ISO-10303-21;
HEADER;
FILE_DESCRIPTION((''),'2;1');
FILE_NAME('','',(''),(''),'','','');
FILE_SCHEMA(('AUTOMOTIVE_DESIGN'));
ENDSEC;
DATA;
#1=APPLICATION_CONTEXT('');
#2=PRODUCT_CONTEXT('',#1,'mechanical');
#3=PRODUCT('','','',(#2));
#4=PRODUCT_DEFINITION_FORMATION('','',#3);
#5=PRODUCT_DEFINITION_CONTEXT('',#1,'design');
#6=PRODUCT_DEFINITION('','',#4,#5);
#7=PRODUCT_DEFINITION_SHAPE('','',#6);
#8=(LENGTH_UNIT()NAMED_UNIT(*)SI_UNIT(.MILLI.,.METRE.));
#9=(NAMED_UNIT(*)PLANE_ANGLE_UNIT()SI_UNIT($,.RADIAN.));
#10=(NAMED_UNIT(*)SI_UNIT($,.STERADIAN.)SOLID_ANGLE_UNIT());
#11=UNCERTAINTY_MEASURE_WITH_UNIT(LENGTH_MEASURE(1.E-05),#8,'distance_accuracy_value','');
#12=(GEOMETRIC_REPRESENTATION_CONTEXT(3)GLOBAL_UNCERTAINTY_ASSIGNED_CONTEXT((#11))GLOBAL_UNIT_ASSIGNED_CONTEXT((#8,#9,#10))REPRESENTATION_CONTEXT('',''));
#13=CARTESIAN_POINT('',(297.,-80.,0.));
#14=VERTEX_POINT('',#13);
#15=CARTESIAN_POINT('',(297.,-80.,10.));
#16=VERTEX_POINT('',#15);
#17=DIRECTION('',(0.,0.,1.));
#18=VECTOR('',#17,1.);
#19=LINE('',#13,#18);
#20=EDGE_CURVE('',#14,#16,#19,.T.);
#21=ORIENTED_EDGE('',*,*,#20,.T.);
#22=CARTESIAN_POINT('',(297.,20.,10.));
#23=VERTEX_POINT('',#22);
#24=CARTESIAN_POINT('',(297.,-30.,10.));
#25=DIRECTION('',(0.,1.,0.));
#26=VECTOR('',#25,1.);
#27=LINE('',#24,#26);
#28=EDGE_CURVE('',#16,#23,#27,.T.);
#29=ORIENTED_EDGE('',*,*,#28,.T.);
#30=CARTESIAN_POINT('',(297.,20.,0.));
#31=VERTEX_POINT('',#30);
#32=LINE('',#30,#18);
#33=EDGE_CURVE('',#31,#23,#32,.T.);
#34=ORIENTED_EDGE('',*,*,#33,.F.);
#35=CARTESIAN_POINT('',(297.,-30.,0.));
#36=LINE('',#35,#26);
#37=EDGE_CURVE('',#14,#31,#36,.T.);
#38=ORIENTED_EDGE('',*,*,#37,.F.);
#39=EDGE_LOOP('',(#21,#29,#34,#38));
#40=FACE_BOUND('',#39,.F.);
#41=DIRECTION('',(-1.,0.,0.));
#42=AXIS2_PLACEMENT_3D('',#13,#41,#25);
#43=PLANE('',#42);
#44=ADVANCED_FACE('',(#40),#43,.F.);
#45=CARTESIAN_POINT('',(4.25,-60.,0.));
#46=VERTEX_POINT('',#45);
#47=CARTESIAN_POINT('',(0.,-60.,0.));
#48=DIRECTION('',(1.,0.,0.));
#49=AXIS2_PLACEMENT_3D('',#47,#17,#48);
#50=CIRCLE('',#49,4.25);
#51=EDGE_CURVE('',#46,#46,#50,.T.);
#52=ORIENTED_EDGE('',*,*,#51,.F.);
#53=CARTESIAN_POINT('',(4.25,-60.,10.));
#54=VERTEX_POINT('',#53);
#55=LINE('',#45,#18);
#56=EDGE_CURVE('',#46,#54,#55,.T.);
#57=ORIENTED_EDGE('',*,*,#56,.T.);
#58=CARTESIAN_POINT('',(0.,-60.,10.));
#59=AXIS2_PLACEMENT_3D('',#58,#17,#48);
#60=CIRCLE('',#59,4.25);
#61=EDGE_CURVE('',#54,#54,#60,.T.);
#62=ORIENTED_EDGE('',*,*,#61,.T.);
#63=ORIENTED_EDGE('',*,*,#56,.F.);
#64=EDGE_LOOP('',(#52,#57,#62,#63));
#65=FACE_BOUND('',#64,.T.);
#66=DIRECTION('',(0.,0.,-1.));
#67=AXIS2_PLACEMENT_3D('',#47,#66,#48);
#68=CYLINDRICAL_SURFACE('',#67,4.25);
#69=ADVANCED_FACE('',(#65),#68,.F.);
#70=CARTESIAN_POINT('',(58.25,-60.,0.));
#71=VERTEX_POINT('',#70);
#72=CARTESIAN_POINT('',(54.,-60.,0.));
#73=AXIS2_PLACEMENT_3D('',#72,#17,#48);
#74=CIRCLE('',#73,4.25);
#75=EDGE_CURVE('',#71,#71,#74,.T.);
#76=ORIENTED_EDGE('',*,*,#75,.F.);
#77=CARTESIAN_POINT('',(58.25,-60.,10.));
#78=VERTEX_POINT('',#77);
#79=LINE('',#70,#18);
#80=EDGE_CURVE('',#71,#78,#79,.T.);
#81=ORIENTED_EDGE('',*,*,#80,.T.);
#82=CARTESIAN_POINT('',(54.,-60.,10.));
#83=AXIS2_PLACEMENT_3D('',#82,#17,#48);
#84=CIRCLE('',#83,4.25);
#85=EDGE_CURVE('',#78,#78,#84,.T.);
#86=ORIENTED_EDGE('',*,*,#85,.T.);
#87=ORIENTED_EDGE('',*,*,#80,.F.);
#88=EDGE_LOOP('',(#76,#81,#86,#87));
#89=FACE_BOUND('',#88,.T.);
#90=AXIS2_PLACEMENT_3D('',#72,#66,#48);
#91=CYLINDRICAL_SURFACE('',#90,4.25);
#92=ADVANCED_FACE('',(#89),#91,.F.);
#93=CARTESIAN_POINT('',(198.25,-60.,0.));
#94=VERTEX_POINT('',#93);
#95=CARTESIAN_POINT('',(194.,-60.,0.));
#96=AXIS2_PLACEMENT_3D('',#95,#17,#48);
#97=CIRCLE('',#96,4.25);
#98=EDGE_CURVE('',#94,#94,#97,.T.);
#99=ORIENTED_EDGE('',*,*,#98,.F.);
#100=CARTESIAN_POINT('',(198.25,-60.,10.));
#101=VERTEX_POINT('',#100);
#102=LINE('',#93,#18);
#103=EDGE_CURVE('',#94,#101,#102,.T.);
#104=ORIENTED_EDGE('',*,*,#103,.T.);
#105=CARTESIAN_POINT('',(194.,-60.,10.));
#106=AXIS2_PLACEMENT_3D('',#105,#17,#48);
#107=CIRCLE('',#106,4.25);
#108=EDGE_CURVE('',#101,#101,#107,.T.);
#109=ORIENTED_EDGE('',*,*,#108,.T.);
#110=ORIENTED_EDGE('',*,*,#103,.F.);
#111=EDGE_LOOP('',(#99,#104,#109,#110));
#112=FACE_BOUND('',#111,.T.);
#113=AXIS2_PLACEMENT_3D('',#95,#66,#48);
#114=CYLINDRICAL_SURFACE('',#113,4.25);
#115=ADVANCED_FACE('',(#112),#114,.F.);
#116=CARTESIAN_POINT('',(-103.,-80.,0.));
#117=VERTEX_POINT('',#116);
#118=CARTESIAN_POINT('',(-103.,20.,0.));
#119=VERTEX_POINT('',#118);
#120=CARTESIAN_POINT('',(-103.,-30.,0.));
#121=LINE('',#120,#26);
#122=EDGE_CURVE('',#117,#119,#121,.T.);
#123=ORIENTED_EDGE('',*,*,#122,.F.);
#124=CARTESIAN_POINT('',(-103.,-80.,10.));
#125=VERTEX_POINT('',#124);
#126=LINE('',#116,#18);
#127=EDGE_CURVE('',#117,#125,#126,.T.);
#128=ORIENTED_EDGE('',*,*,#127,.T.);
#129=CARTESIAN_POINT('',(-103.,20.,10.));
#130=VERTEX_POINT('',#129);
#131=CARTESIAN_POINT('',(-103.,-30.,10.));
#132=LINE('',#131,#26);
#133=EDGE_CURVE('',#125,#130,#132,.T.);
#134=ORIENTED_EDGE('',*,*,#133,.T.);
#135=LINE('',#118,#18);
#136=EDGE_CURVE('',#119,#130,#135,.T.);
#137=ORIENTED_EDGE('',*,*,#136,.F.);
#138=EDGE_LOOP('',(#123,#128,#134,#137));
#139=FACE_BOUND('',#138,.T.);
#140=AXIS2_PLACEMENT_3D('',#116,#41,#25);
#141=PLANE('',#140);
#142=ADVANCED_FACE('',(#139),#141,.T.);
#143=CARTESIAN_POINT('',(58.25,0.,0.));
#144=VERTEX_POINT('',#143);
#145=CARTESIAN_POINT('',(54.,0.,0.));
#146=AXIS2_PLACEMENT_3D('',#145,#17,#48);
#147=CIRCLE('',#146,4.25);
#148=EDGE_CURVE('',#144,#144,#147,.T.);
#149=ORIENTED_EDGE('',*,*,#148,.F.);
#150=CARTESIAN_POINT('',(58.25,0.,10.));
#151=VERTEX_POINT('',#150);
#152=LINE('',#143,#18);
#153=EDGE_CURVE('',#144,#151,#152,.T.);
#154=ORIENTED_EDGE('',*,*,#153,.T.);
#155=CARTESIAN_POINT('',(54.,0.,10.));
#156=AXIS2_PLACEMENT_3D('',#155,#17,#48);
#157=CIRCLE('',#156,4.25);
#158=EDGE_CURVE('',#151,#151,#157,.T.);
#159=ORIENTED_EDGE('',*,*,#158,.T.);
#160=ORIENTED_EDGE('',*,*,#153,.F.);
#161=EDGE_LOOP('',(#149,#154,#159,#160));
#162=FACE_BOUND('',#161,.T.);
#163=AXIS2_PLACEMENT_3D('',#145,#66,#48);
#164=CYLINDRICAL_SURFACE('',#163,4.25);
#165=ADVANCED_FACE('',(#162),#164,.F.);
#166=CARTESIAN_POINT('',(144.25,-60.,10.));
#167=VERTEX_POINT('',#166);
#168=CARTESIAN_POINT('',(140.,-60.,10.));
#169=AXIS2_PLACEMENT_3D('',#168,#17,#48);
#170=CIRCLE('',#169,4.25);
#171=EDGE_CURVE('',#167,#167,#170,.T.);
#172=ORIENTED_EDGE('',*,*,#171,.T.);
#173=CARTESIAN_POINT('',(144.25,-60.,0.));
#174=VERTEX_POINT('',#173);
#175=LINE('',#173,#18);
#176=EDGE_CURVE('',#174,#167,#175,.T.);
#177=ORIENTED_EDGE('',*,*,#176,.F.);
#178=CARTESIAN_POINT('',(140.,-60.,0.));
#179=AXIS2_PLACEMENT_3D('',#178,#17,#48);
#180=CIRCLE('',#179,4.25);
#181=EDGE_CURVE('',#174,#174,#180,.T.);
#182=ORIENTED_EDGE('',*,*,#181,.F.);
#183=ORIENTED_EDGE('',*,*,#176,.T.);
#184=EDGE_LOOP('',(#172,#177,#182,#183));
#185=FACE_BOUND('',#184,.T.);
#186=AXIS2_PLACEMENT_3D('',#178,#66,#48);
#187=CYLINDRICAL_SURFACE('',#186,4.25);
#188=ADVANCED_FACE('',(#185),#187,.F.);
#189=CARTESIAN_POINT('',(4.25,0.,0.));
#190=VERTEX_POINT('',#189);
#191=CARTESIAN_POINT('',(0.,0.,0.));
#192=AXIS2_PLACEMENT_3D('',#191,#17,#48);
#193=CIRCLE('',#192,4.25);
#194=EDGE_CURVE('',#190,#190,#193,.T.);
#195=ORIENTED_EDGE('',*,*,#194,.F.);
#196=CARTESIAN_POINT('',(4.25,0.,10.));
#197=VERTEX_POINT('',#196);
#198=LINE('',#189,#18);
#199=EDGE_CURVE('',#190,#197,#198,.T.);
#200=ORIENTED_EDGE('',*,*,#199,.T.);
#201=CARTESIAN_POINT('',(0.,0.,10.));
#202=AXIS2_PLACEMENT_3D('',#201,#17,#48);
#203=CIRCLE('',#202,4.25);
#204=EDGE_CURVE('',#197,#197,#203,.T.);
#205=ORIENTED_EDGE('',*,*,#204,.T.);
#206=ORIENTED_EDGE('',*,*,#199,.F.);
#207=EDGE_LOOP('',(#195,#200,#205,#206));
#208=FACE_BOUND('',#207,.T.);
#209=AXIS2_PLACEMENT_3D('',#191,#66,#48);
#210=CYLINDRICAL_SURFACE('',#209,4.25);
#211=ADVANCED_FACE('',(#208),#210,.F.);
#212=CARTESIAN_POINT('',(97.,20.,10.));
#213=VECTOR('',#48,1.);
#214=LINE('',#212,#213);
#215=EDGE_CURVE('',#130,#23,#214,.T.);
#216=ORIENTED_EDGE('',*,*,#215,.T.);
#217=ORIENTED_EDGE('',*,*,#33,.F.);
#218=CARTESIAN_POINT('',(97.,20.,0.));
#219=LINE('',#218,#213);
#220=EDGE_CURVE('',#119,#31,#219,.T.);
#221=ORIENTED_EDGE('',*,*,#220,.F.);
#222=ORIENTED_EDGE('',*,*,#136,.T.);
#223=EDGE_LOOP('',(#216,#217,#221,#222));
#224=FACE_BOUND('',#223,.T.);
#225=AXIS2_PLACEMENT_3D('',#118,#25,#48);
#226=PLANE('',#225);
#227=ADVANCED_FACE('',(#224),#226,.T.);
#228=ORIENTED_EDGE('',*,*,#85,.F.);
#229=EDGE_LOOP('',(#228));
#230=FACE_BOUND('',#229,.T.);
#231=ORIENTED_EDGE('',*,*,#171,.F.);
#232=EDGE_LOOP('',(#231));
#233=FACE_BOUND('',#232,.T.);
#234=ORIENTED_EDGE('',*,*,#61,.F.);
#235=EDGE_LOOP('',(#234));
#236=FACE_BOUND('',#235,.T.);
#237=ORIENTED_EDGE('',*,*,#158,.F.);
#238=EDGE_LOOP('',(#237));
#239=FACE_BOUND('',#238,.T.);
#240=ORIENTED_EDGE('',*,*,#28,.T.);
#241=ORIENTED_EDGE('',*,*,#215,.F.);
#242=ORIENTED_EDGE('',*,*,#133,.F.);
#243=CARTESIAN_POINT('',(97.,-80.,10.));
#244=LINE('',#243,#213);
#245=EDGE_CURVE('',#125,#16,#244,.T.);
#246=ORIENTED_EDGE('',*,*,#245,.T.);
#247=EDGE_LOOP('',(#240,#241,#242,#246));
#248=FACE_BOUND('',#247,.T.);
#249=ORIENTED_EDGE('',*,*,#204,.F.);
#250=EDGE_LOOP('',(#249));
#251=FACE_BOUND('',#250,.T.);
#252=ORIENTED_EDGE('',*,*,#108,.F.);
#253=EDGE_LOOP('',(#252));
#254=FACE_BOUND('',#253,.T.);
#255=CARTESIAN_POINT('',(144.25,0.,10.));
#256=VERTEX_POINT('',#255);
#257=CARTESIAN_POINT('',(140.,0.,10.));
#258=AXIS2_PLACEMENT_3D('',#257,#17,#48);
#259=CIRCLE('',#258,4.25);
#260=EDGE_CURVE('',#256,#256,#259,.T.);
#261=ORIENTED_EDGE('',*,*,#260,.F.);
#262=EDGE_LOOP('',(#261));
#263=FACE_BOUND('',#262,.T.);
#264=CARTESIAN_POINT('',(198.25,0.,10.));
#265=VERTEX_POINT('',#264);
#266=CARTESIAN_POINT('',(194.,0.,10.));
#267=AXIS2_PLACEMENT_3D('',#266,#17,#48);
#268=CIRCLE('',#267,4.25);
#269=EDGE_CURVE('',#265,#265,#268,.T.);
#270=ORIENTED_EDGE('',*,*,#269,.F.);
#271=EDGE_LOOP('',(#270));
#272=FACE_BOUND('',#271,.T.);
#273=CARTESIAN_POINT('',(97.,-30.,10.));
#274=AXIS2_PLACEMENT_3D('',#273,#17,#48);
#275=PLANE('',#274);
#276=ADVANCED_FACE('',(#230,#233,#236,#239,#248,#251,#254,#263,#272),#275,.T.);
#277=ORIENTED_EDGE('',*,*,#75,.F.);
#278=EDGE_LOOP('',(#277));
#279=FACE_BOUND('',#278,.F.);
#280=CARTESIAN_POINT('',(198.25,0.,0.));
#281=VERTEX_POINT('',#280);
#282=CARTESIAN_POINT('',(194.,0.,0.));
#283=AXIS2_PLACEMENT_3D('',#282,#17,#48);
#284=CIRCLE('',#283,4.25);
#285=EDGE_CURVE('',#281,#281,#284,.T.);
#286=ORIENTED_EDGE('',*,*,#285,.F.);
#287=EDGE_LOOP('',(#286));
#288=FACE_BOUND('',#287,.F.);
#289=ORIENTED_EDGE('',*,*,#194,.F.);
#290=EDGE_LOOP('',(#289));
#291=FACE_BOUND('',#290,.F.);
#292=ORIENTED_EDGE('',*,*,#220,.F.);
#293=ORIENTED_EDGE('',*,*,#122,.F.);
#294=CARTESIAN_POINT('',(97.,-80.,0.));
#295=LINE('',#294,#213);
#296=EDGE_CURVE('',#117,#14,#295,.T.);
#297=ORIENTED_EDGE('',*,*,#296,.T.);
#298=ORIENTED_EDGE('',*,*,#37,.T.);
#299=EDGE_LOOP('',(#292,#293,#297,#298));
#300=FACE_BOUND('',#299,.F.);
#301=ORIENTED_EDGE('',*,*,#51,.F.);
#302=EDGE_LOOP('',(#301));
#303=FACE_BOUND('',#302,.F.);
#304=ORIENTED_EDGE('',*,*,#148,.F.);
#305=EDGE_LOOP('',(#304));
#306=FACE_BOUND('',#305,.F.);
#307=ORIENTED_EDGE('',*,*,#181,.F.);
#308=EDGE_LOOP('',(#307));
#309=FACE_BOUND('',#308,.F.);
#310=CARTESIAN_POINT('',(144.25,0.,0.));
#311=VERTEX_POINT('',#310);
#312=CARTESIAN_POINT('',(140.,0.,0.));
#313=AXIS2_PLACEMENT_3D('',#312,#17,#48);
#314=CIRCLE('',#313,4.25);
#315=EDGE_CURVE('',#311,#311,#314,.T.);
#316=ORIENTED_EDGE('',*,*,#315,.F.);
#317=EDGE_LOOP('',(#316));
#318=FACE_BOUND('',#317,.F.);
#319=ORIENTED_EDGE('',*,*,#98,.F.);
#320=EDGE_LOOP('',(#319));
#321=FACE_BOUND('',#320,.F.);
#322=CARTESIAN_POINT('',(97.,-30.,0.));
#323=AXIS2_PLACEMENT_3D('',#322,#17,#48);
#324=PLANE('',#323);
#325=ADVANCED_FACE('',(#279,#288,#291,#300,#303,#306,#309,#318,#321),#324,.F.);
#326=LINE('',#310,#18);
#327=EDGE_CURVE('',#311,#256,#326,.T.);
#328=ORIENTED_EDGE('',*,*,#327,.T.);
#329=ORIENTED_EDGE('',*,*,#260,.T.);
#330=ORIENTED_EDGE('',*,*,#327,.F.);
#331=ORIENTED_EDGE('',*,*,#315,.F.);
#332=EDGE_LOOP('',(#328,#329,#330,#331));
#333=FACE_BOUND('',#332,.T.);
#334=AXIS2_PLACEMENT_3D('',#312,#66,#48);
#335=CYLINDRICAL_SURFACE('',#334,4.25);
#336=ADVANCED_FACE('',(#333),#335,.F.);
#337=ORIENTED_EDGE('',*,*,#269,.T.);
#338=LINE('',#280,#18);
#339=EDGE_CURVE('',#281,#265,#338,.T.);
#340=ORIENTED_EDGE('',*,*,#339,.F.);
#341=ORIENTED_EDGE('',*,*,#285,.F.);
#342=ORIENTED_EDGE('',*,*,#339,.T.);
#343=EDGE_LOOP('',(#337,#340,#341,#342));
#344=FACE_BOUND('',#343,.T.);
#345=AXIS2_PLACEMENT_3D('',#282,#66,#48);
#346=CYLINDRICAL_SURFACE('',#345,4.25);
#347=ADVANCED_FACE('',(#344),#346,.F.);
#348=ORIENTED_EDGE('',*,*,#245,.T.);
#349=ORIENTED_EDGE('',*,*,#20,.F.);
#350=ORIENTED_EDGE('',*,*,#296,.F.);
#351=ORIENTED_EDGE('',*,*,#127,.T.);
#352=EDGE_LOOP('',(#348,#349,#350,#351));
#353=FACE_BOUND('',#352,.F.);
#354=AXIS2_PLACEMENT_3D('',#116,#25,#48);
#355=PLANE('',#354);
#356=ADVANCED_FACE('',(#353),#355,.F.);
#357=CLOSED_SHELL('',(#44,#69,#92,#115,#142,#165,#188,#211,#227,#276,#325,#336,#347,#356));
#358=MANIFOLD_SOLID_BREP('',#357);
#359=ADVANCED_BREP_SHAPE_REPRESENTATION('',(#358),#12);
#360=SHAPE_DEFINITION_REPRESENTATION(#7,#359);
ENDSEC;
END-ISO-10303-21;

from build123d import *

# Parameters (mm, degrees)
F0_W     = 400
F0_H     = 100
F0_R     = 4.25
F1_DEPTH = 10


with BuildPart() as f1:
    # F0 (on Top) → F1 (new body)
    with BuildSketch(Plane.XY):
        with Locations((97, -30)):
            Rectangle(F0_W, F0_H)
        with Locations((0, -60)):
            Circle(F0_R, mode=Mode.SUBTRACT)
        with Locations((54, -60)):
            Circle(F0_R, mode=Mode.SUBTRACT)
        with Locations((140, -60)):
            Circle(F0_R, mode=Mode.SUBTRACT)
        with Locations((194, -60)):
            Circle(F0_R, mode=Mode.SUBTRACT)
        Circle(F0_R, mode=Mode.SUBTRACT)
        with Locations((54, 0)):
            Circle(F0_R, mode=Mode.SUBTRACT)
        with Locations((140, 0)):
            Circle(F0_R, mode=Mode.SUBTRACT)
        with Locations((194, 0)):
            Circle(F0_R, mode=Mode.SUBTRACT)
    extrude(amount=F1_DEPTH)


solid = f1.part
